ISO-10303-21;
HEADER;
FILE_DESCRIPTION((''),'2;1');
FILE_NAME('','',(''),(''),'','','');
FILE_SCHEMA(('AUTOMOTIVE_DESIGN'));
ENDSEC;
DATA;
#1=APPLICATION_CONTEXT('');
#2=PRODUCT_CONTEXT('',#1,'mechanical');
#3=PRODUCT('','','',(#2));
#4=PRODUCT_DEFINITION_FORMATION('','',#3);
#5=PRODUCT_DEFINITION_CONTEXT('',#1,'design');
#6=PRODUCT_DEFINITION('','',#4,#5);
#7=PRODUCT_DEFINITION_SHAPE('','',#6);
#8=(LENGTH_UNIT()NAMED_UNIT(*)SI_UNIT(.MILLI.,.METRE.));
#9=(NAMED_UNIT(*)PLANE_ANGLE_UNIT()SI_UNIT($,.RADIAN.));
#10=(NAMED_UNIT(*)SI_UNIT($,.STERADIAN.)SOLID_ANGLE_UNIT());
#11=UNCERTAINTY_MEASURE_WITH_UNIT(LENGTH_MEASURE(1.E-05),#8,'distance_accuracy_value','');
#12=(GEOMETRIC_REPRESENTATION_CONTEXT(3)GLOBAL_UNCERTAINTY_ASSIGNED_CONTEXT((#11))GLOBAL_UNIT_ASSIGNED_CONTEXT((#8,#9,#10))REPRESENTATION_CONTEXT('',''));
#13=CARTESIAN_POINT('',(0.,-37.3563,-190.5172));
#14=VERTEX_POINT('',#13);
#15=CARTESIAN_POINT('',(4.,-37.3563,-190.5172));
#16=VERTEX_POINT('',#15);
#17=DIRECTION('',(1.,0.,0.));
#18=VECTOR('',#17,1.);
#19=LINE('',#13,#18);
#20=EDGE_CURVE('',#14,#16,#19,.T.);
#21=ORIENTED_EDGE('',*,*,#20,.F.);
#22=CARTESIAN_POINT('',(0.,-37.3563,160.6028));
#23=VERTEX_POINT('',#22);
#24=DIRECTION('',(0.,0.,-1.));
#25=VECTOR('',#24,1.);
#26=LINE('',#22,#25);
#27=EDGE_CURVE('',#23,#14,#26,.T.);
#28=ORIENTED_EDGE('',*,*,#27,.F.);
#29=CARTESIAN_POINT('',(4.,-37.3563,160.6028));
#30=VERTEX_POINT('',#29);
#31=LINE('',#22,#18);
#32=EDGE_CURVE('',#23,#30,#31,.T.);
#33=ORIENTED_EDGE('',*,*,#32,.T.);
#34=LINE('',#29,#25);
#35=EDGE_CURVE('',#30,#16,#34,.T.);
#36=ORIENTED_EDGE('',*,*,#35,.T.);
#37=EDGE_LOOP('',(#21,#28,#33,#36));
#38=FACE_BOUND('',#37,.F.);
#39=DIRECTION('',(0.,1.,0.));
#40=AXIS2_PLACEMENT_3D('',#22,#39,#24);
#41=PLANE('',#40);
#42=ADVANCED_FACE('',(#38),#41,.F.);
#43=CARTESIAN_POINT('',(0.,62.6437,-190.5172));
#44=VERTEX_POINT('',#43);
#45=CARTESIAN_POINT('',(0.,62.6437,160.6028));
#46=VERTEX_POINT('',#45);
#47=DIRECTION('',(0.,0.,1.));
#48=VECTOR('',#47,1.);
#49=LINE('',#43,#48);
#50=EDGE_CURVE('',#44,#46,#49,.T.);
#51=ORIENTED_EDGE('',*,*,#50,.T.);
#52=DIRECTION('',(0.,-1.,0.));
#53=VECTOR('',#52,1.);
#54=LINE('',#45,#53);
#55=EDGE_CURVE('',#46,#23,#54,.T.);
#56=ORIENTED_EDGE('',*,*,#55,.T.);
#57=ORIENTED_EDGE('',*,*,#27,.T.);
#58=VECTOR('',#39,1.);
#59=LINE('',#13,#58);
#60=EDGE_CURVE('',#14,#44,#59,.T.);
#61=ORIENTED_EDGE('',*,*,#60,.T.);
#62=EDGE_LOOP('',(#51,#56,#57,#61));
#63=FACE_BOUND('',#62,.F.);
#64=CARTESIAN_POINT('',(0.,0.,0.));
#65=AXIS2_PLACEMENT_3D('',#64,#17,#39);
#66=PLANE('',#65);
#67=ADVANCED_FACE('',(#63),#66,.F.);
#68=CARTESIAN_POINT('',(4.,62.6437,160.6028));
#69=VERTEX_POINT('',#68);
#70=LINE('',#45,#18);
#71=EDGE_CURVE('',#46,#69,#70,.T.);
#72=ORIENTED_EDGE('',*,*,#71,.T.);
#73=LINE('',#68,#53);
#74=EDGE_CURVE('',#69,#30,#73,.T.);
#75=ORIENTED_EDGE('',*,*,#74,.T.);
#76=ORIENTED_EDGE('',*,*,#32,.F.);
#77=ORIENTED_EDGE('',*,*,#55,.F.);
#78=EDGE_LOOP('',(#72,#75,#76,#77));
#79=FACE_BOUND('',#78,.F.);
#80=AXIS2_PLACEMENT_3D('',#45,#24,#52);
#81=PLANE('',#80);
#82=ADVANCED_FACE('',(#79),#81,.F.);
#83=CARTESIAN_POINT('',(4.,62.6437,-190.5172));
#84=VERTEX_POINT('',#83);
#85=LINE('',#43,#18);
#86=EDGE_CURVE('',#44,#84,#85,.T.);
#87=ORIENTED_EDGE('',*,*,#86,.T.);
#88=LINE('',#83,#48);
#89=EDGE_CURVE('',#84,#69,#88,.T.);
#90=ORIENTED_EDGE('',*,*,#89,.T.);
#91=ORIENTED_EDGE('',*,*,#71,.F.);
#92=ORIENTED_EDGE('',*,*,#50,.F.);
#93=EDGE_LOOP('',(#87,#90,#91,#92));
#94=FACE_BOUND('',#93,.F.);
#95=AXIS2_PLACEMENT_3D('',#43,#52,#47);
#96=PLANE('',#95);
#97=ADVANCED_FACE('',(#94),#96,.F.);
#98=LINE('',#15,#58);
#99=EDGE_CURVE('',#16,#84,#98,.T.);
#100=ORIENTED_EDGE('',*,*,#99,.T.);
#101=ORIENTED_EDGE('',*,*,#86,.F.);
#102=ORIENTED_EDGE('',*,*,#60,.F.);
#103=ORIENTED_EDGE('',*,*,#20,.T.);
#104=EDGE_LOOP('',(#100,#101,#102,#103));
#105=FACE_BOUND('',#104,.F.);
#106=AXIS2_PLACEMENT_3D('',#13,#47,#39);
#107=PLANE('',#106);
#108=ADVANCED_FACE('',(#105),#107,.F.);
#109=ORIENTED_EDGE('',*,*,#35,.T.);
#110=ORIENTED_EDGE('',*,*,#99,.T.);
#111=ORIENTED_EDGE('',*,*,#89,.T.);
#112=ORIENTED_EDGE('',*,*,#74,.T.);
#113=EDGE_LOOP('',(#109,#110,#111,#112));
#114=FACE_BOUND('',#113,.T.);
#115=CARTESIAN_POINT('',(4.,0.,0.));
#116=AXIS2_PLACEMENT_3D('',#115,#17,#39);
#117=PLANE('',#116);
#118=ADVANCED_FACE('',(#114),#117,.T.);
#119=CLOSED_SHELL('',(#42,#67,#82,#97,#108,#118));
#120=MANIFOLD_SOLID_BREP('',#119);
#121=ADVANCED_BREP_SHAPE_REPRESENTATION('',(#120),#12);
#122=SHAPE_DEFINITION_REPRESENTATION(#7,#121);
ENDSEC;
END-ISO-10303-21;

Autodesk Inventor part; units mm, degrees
ref_plane "YZ Plane" through (0, 0, 0) normal (1, 0, 0) x (0, 1, 0)
ref_plane "XZ Plane" through (0, 0, 0) normal (0, 1, 0) x (-1, 0, 0)
ref_plane "XY Plane" through (0, 0, 0) normal (0, 0, 1) x (1, 0, 0)
sketch "Sketch1" plane through (0, 0, 0) normal (1, 0, 0) x (0, 1, 0)
  line L0 (62.6437, 160.6028) -> (-37.3563, 160.6028)
  line L1 (-37.3563, 160.6028) -> (-37.3563, -190.5172)
  line L2 (-37.3563, -190.5172) -> (62.6437, -190.5172)
  line L3 (62.6437, -190.5172) -> (62.6437, 160.6028)
  point P0 (0, 0)
  dimension "d0" = 100
  dimension "d1" = 351.12
extrude "Extrusion1" add sketch "Sketch1" along normal blind 4
properties part number "Edge Band - Platform E Flat" material "Wood (Birch)"
